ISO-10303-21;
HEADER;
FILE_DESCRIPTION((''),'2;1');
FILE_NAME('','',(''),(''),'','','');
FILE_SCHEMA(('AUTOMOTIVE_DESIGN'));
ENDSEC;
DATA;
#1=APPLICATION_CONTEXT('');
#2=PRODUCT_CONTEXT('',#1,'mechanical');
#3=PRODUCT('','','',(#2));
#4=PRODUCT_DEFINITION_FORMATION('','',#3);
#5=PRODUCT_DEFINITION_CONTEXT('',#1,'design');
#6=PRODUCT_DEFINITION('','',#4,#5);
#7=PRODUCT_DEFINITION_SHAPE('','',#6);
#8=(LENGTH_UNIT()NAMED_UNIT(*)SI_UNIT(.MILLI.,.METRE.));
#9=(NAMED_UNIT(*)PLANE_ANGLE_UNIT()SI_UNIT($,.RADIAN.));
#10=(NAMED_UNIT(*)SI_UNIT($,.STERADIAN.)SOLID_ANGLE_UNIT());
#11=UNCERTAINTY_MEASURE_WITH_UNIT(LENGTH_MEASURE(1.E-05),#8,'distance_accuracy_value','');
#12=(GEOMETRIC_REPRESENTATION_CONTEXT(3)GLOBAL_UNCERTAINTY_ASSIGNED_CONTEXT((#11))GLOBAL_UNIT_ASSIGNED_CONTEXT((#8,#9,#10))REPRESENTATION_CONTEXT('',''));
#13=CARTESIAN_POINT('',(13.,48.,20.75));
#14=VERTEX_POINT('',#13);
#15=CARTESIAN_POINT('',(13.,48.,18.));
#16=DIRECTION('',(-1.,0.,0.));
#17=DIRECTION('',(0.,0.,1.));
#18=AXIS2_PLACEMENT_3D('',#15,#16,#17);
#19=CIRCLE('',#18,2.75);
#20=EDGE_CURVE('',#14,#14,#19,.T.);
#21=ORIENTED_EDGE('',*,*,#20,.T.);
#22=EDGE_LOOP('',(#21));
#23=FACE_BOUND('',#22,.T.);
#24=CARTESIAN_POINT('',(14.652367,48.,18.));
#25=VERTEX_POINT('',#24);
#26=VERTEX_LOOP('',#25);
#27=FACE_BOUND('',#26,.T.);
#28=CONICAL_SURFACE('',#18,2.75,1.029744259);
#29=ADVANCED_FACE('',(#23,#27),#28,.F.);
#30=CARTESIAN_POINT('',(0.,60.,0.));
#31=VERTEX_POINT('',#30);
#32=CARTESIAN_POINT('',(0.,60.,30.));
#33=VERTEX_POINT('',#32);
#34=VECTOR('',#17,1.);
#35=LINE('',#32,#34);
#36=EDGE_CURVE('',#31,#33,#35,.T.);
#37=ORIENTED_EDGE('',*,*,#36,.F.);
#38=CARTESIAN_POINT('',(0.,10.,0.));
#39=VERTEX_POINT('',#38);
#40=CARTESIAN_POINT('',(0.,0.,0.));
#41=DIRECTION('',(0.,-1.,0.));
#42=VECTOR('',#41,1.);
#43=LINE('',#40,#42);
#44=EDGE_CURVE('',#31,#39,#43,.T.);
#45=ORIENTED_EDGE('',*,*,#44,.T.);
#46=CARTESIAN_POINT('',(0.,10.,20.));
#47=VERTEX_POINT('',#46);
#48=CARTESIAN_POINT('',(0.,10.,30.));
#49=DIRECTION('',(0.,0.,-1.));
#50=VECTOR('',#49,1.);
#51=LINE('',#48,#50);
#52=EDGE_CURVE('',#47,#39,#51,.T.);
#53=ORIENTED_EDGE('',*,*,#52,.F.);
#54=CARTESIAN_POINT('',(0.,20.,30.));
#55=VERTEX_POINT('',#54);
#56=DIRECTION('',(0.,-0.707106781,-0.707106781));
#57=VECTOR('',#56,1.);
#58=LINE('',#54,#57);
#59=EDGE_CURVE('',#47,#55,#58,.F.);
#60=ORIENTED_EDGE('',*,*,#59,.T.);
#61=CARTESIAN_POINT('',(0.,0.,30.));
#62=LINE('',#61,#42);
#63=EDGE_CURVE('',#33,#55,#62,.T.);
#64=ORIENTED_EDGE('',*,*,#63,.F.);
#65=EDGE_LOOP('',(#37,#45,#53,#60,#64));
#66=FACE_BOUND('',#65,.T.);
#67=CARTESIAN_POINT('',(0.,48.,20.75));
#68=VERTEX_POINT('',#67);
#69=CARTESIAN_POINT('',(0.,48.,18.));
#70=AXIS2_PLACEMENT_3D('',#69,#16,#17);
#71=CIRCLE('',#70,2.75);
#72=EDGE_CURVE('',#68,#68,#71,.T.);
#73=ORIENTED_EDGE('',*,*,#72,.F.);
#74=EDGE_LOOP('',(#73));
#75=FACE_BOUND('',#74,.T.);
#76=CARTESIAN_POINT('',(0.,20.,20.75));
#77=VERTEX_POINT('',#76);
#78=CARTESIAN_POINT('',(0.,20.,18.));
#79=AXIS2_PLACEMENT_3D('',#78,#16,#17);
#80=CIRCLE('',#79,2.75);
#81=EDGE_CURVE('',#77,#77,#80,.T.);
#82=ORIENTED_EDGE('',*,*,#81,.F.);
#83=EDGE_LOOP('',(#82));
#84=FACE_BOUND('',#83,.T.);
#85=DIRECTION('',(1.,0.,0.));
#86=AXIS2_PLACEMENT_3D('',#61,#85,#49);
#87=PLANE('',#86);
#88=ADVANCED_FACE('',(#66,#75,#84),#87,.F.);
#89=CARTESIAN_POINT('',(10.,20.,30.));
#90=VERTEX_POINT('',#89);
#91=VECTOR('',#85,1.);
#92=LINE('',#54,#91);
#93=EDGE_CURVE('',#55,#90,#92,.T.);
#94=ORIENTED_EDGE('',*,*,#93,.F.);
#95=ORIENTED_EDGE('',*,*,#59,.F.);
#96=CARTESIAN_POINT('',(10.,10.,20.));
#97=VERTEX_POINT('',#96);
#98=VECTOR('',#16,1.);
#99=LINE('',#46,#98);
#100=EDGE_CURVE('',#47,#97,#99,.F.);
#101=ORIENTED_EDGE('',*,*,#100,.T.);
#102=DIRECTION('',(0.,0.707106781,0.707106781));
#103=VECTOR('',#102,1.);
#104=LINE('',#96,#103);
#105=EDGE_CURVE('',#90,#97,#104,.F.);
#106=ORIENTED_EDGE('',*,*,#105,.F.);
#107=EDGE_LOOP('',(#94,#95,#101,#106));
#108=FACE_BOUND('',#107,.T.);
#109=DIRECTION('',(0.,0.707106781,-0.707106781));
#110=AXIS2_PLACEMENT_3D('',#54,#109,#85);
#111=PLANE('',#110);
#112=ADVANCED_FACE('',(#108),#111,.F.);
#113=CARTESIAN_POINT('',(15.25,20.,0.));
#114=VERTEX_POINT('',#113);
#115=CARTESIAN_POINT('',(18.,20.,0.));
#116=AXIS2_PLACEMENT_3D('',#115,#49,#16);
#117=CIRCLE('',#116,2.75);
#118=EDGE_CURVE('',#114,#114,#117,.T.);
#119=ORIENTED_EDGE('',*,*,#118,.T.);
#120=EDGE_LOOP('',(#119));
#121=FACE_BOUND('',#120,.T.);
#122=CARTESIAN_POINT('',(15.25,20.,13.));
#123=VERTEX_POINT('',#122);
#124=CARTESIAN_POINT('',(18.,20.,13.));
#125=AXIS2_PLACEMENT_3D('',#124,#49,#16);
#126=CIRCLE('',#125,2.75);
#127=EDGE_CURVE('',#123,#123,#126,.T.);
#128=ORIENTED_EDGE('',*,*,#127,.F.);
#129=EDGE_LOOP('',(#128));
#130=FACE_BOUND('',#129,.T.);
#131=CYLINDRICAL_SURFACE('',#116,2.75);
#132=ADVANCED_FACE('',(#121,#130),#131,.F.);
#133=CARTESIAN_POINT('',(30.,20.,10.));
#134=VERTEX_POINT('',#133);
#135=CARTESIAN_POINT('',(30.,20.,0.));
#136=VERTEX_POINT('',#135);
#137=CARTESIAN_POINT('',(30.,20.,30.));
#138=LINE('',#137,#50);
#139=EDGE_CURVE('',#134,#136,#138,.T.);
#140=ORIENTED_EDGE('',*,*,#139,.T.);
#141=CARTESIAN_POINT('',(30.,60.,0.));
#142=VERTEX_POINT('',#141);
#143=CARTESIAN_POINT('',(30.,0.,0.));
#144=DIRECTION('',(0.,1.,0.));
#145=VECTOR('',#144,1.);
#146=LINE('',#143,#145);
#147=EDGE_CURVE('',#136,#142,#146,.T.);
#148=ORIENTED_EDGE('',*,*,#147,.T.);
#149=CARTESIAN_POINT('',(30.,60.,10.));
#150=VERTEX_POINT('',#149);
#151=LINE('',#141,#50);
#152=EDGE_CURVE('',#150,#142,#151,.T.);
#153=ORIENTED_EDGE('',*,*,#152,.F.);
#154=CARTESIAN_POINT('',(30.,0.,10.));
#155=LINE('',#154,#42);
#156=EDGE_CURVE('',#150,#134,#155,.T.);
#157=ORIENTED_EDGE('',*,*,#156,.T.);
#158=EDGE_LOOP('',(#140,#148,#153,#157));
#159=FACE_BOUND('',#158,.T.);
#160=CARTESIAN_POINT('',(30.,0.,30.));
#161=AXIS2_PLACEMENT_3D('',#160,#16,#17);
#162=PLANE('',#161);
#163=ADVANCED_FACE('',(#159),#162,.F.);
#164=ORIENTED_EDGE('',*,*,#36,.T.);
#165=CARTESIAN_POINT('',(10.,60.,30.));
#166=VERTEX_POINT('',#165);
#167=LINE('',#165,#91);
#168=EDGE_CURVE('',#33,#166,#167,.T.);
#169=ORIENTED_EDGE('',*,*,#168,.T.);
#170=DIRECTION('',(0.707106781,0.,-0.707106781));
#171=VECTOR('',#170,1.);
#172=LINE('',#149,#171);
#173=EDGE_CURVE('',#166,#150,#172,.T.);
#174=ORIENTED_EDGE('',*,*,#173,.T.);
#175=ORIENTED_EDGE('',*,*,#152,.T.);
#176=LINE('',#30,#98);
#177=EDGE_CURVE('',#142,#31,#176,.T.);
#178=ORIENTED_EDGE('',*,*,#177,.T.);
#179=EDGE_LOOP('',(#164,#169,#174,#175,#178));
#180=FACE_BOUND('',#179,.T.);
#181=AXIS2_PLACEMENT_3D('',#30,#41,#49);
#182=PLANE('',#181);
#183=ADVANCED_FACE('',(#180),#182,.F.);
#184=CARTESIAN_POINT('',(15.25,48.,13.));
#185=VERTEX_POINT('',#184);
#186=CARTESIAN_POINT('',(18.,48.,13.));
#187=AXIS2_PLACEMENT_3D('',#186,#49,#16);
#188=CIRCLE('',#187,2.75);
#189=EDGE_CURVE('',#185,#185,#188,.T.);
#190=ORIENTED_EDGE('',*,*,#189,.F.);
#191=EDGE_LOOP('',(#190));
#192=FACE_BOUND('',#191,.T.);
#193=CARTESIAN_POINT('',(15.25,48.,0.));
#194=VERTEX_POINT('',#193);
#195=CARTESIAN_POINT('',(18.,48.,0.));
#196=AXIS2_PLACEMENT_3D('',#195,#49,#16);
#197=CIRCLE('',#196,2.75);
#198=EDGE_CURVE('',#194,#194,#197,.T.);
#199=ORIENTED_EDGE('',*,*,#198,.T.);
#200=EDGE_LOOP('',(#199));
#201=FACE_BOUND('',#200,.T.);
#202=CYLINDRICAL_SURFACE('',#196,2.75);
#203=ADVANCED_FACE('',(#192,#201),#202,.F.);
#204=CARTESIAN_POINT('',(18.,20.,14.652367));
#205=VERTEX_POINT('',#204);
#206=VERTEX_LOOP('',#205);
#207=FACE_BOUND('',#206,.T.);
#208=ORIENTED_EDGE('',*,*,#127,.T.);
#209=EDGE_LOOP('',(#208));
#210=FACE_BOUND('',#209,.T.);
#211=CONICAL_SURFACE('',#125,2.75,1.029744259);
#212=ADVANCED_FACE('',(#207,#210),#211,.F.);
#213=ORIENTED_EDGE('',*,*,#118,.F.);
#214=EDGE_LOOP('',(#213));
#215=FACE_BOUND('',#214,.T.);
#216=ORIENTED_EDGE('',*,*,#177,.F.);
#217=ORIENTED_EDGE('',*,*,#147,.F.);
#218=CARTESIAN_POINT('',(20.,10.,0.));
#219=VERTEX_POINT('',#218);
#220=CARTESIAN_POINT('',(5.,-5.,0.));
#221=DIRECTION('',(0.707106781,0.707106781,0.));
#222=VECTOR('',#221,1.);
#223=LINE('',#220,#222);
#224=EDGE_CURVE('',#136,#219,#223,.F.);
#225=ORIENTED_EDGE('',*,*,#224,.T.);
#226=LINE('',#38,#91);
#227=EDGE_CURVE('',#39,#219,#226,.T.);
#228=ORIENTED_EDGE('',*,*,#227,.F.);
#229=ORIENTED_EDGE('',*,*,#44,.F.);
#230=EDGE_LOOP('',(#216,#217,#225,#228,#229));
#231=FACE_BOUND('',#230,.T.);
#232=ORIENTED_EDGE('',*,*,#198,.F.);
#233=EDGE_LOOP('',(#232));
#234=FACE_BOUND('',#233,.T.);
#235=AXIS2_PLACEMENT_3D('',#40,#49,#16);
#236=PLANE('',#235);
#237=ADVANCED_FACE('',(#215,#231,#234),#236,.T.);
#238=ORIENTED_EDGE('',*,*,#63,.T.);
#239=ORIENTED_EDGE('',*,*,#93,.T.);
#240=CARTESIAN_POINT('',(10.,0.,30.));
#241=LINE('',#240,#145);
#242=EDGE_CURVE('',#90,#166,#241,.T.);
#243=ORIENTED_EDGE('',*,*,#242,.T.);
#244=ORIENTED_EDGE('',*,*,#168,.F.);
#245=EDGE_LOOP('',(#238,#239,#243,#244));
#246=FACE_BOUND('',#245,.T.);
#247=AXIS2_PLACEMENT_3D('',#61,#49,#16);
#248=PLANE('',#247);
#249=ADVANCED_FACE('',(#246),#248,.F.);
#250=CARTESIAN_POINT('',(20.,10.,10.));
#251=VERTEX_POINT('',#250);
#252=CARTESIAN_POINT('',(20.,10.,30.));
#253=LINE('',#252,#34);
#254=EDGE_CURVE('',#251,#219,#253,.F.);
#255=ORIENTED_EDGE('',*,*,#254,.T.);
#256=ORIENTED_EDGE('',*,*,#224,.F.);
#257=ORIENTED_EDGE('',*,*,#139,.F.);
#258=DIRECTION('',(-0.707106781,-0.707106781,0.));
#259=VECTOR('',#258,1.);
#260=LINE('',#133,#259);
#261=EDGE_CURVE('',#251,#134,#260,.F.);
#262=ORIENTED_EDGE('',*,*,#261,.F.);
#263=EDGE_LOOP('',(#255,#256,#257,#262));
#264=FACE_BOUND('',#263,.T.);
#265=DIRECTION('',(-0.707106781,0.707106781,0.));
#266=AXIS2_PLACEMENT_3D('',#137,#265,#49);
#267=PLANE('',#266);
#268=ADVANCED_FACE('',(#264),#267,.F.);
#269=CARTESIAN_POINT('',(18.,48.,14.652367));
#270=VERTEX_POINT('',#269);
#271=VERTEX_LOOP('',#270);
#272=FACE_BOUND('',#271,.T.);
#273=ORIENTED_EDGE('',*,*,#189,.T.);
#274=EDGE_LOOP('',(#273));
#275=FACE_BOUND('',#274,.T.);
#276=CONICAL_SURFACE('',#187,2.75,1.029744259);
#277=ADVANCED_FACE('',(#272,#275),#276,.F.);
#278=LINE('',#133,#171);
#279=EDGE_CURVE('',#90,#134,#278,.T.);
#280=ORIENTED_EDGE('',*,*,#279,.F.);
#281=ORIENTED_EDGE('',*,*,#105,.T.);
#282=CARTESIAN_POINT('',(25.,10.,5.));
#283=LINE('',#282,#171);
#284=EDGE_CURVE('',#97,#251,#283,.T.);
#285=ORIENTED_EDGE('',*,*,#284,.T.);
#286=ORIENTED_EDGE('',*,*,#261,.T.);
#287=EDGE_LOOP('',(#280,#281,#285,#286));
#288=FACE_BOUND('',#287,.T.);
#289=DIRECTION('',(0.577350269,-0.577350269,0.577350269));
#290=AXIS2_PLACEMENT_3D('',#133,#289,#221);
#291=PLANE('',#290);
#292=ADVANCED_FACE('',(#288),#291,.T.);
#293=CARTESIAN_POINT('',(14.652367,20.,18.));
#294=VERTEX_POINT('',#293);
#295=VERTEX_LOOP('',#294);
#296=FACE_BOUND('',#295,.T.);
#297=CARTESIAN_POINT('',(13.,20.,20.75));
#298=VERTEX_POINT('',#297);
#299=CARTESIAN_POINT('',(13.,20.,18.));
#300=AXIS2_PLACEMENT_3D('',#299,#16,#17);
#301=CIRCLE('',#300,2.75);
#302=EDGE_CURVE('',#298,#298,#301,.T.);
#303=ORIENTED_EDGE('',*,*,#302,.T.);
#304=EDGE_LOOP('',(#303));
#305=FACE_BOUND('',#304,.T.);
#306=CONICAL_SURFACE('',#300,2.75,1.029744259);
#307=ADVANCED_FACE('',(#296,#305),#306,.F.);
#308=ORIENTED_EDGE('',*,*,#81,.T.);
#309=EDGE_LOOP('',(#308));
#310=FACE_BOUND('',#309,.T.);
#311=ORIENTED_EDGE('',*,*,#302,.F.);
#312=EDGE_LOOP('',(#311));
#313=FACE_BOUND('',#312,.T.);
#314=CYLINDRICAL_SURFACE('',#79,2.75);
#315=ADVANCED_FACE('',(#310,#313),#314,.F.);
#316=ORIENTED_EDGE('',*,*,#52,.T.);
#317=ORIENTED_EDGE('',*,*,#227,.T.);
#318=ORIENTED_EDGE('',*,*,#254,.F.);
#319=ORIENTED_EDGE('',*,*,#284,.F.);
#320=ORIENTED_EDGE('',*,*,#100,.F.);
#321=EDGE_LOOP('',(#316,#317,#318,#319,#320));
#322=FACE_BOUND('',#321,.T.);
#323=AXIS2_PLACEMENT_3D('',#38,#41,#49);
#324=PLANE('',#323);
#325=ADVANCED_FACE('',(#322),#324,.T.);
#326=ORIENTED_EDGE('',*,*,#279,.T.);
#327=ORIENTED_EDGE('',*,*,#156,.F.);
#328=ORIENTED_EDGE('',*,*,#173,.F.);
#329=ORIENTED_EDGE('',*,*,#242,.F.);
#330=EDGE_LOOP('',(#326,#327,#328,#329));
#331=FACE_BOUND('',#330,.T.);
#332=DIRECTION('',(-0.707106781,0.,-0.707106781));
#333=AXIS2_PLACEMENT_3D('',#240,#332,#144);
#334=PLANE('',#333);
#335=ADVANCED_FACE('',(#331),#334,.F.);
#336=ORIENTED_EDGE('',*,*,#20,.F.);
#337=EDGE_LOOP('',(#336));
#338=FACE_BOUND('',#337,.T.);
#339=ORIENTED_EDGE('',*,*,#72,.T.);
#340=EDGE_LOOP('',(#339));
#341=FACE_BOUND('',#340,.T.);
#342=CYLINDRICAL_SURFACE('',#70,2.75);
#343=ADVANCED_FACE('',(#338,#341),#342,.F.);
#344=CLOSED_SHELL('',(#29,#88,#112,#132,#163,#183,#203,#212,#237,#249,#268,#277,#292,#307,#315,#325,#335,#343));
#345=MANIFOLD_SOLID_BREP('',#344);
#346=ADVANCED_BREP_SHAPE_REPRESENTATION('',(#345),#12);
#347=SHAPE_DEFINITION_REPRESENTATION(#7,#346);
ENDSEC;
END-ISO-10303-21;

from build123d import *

# Parameters (mm, degrees)
SCHIZZO1_W                   = 30
SCHIZZO1_H                   = 40
ESTRUSIONE_ESTRUSIONE1_DEPTH = 30
SMUSSO1_SIZE                 = 20
ESTRUSIONE_ESTRUSIONE2_DEPTH = 20
FORO_PER_VITE_M5_1_D         = 5.5
FORO_PER_VITE_M5_1_DEPTH     = 13
FORO_PER_VITE_M5_1_TIP       = 1.652366702
FORO_PER_VITE_M5_2_D         = 5.5
FORO_PER_VITE_M5_2_DEPTH     = 13
FORO_PER_VITE_M5_2_TIP       = 1.652366702
SCHIZZO6_W                   = 30
SCHIZZO6_H                   = 30
TAGLIO_ESTRUSIONE1_DEPTH     = 10


with BuildPart() as part:
    # Schizzo1 → Estrusione-Estrusione1 (new body)
    with BuildSketch(Plane.XY):
        with Locations((15, 20)):
            Rectangle(SCHIZZO1_W, SCHIZZO1_H)
    extrude(amount=ESTRUSIONE_ESTRUSIONE1_DEPTH)

    # Smusso1
    smusso1_edges = [part.edges().sort_by_distance(p)[0] for p in [
        (30, 20, 30),
        (30, 0, 15),
        (15, 0, 30),
    ]]
    chamfer(smusso1_edges, length=SMUSSO1_SIZE)

    # Schizzo2 → Estrusione-Estrusione2 (add)
    with BuildSketch(Plane(origin=(0, 40, 0), x_dir=(1, 0, 0), z_dir=(0, 1, 0))):
        Polygon((0, 0), (30, 0), (30, -10), (10, -30), (0, -30), align=None)
    extrude(amount=ESTRUSIONE_ESTRUSIONE2_DEPTH)

    # Foro per Vite M5-1
    with Locations(Plane.ZY):
        with Locations((18, 20), (18, 48)):
            Hole(FORO_PER_VITE_M5_1_D / 2, depth=FORO_PER_VITE_M5_1_DEPTH)
            with Locations((0, 0, -(FORO_PER_VITE_M5_1_DEPTH + FORO_PER_VITE_M5_1_TIP / 2))):  # 118° drill point
                Cone(0, FORO_PER_VITE_M5_1_D / 2, FORO_PER_VITE_M5_1_TIP, mode=Mode.SUBTRACT)

    # Foro per Vite M5-2
    with Locations(Plane(origin=(18, 20, 0), x_dir=(-1, 0, 0), z_dir=(0, 0, -1))):
        with Locations((0, 0), (0, 28)):
            Hole(FORO_PER_VITE_M5_2_D / 2, depth=FORO_PER_VITE_M5_2_DEPTH)
            with Locations((0, 0, -(FORO_PER_VITE_M5_2_DEPTH + FORO_PER_VITE_M5_2_TIP / 2))):  # 118° drill point
                Cone(0, FORO_PER_VITE_M5_2_D / 2, FORO_PER_VITE_M5_2_TIP, mode=Mode.SUBTRACT)

    # Schizzo6 → Taglio-Estrusione1 (cut)
    with BuildSketch(Plane.XZ):
        with Locations((15, 15)):
            Rectangle(SCHIZZO6_W, SCHIZZO6_H)
    extrude(amount=-TAGLIO_ESTRUSIONE1_DEPTH, mode=Mode.SUBTRACT)


solid = part.part
